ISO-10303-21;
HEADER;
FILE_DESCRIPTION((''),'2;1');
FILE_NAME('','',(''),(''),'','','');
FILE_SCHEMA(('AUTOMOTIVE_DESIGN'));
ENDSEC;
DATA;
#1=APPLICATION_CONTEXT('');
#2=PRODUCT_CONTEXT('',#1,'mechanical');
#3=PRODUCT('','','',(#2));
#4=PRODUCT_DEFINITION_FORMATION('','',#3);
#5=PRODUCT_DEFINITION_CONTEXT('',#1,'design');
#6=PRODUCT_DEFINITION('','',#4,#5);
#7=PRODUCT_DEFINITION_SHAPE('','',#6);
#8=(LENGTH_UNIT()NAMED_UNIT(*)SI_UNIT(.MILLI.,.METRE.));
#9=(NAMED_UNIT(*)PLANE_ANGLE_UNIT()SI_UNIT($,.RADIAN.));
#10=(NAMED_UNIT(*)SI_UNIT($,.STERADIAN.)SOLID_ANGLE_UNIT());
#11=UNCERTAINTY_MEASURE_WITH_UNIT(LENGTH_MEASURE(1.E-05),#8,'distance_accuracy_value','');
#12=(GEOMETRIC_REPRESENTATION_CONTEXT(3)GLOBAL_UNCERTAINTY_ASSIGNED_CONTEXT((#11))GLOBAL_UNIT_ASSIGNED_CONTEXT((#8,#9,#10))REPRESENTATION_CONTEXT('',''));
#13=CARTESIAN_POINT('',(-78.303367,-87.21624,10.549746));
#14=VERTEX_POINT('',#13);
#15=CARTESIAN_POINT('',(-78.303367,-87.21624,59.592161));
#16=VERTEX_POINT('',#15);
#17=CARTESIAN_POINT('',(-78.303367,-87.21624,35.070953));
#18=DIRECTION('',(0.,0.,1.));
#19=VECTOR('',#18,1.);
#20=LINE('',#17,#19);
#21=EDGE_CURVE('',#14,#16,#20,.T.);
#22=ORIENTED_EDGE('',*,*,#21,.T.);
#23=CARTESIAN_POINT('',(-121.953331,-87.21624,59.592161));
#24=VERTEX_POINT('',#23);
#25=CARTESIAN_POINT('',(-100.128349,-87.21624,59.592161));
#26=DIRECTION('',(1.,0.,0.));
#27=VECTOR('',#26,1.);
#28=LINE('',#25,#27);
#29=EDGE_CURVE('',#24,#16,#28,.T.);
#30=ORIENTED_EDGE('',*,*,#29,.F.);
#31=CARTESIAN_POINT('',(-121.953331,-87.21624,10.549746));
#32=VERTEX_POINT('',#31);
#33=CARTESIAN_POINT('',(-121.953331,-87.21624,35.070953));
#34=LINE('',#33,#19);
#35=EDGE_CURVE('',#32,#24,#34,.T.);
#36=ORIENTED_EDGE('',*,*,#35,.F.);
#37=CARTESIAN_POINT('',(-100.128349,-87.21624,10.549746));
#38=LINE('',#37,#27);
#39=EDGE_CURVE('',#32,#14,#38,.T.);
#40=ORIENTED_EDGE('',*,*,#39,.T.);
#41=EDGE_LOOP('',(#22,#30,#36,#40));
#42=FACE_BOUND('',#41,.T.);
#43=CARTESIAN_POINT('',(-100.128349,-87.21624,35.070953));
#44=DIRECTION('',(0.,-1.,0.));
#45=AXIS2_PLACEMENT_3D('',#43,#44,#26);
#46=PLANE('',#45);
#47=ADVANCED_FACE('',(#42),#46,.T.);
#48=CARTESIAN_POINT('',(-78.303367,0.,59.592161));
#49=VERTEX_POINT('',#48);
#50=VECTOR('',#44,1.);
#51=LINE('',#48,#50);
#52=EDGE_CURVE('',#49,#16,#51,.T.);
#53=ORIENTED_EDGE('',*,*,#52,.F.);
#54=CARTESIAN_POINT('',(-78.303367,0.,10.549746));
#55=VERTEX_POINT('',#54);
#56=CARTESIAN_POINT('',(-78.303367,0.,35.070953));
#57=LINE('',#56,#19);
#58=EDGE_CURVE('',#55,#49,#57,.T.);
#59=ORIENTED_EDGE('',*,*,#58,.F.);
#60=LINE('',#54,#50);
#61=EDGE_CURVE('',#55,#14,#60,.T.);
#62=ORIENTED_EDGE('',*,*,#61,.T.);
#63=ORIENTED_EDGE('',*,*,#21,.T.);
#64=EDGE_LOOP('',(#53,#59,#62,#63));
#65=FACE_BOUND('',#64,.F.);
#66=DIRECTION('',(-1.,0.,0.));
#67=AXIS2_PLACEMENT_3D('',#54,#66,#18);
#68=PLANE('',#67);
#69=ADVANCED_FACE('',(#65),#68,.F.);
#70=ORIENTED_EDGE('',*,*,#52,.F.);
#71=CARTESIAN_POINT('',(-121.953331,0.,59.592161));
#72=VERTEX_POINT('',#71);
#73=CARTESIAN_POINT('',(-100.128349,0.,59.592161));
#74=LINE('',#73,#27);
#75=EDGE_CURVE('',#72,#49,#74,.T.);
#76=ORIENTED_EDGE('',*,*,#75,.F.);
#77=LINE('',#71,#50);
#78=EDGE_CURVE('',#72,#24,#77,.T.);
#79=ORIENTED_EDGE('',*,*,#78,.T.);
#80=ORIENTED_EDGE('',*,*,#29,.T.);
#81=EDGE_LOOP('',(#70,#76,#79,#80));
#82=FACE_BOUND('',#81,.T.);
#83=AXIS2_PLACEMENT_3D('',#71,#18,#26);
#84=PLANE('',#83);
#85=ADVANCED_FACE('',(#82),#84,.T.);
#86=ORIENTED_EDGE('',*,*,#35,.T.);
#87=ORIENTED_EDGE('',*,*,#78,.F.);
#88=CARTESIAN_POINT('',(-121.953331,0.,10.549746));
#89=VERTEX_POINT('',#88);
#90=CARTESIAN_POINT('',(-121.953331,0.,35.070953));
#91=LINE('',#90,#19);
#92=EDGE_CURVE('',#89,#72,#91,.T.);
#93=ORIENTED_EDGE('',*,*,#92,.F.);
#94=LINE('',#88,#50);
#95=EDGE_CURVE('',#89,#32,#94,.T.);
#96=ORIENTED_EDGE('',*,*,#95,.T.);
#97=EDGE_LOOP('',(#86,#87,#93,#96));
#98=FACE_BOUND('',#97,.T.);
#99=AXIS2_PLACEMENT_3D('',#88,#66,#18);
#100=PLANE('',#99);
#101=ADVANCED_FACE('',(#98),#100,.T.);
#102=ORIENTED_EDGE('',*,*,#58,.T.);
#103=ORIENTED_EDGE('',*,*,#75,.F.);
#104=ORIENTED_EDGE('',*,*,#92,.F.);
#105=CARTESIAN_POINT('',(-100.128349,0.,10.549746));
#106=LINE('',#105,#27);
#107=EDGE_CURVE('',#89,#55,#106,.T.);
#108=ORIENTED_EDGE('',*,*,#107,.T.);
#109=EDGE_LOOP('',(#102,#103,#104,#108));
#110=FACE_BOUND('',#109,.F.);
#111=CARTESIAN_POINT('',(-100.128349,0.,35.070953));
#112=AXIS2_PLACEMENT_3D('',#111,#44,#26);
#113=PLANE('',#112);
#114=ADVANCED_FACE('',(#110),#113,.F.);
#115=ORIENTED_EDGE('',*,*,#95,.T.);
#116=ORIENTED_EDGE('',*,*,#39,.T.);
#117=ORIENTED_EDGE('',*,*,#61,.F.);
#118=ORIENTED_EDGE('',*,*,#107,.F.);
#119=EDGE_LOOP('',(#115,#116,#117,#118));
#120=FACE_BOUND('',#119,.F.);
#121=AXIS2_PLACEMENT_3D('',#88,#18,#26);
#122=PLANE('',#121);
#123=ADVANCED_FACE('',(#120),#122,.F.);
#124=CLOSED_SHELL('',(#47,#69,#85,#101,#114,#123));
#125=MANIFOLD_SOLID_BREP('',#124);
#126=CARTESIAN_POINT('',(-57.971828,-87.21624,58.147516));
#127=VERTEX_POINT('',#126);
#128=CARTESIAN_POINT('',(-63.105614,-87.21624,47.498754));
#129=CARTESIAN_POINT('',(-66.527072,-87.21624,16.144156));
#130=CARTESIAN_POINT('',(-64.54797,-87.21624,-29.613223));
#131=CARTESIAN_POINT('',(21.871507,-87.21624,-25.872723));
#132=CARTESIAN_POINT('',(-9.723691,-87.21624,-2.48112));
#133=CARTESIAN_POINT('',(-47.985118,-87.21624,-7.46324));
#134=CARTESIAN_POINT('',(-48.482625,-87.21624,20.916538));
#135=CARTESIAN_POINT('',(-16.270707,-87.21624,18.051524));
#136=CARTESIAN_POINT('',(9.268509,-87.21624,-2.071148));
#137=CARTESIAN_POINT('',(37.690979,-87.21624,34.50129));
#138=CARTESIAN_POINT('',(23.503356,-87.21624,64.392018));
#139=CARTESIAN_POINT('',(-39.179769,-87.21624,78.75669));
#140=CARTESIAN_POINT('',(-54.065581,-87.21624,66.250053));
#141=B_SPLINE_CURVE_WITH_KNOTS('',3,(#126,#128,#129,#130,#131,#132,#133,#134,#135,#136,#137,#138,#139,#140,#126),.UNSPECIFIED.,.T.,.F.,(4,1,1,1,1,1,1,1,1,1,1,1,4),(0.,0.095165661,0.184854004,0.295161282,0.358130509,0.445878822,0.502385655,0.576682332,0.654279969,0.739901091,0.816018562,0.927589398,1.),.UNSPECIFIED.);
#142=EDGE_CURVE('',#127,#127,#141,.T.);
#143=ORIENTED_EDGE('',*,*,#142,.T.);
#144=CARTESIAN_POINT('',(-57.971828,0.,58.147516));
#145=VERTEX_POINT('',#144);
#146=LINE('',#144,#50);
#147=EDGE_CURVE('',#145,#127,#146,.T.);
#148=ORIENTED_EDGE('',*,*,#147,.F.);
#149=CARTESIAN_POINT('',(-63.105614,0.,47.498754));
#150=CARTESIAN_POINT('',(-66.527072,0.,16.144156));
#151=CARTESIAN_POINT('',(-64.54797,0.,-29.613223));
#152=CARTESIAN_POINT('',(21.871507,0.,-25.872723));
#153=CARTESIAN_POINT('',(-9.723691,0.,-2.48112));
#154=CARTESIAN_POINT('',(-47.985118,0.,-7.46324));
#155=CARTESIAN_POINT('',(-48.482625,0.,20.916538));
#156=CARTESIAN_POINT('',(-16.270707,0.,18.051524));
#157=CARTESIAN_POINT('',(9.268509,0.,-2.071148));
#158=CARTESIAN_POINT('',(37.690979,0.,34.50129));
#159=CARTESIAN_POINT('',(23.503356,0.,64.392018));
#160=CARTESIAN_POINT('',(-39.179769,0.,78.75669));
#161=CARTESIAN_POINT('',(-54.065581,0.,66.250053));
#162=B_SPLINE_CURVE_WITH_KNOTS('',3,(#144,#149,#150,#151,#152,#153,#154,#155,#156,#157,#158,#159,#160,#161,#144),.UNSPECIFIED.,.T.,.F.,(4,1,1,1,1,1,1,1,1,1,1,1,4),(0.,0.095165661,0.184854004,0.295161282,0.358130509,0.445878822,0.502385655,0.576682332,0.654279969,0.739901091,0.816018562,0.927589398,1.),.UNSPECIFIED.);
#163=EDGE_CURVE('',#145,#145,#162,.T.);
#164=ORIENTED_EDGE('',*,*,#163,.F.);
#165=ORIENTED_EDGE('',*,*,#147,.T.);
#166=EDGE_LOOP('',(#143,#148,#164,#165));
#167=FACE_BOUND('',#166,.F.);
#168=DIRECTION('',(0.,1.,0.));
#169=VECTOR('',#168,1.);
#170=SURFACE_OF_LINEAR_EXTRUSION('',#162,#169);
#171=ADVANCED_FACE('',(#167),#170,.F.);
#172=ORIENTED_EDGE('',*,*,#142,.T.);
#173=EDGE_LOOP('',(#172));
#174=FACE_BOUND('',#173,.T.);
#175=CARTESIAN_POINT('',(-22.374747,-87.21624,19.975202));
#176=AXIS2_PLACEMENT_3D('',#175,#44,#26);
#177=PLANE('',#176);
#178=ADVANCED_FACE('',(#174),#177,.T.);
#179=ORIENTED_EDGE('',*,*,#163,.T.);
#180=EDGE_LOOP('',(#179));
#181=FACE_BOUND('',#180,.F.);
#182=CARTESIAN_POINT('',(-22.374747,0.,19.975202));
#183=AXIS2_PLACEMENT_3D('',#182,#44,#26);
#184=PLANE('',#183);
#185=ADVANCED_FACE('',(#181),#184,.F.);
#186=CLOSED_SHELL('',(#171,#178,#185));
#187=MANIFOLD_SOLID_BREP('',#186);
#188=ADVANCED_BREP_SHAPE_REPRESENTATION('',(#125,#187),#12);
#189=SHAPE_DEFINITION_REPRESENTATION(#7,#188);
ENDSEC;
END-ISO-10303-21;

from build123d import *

# Parameters (mm, degrees)
F1_DEPTH = 87.21624
F0_W     = 43.6499640346
F0_H     = 49.0424158052


with BuildPart() as f1:
    # F0 (on Front) → F1 (new body)
    with BuildSketch(Plane.XZ):
        with BuildLine():
            add(Edge.make_bspline(
                [(-57.9718276858, 58.1475161016), (-63.1056143856, 47.4987543725), (-66.5270718215, 16.1441555944), (-64.5479698472, -29.6132228934), (21.8715070282, -25.8727227978), (-9.7236907413, -2.4811195452), (-47.9851184687, -7.4632404928), (-48.4826254877, 20.9165381803), (-16.2707067619, 18.051524057), (9.2685086371, -2.0711475784), (37.6909785497, 34.5012898107), (23.5033558817, 64.3920179204), (-39.1797693263, 78.7566901554), (-54.0655806049, 66.2500526605), (-57.9718276858, 58.1475161016)],
                knots=[0, 0, 0, 0, 0.0951656614, 0.1848540037, 0.2951612823, 0.3581305094, 0.4458788217, 0.5023856551, 0.5766823321, 0.6542799687, 0.7399010913, 0.8160185617, 0.9275893977, 1, 1, 1, 1], degree=3))
        make_face()
    extrude(amount=F1_DEPTH)


with BuildPart() as f1b:
    # F0 (on Front) → F1, piece 2 (new body)
    with BuildSketch(Plane.XZ):
        with Locations((-100.1283489168, 35.070953425)):
            Rectangle(F0_W, F0_H)
    extrude(amount=F1_DEPTH)


solid = Compound([f1.part, f1b.part])
